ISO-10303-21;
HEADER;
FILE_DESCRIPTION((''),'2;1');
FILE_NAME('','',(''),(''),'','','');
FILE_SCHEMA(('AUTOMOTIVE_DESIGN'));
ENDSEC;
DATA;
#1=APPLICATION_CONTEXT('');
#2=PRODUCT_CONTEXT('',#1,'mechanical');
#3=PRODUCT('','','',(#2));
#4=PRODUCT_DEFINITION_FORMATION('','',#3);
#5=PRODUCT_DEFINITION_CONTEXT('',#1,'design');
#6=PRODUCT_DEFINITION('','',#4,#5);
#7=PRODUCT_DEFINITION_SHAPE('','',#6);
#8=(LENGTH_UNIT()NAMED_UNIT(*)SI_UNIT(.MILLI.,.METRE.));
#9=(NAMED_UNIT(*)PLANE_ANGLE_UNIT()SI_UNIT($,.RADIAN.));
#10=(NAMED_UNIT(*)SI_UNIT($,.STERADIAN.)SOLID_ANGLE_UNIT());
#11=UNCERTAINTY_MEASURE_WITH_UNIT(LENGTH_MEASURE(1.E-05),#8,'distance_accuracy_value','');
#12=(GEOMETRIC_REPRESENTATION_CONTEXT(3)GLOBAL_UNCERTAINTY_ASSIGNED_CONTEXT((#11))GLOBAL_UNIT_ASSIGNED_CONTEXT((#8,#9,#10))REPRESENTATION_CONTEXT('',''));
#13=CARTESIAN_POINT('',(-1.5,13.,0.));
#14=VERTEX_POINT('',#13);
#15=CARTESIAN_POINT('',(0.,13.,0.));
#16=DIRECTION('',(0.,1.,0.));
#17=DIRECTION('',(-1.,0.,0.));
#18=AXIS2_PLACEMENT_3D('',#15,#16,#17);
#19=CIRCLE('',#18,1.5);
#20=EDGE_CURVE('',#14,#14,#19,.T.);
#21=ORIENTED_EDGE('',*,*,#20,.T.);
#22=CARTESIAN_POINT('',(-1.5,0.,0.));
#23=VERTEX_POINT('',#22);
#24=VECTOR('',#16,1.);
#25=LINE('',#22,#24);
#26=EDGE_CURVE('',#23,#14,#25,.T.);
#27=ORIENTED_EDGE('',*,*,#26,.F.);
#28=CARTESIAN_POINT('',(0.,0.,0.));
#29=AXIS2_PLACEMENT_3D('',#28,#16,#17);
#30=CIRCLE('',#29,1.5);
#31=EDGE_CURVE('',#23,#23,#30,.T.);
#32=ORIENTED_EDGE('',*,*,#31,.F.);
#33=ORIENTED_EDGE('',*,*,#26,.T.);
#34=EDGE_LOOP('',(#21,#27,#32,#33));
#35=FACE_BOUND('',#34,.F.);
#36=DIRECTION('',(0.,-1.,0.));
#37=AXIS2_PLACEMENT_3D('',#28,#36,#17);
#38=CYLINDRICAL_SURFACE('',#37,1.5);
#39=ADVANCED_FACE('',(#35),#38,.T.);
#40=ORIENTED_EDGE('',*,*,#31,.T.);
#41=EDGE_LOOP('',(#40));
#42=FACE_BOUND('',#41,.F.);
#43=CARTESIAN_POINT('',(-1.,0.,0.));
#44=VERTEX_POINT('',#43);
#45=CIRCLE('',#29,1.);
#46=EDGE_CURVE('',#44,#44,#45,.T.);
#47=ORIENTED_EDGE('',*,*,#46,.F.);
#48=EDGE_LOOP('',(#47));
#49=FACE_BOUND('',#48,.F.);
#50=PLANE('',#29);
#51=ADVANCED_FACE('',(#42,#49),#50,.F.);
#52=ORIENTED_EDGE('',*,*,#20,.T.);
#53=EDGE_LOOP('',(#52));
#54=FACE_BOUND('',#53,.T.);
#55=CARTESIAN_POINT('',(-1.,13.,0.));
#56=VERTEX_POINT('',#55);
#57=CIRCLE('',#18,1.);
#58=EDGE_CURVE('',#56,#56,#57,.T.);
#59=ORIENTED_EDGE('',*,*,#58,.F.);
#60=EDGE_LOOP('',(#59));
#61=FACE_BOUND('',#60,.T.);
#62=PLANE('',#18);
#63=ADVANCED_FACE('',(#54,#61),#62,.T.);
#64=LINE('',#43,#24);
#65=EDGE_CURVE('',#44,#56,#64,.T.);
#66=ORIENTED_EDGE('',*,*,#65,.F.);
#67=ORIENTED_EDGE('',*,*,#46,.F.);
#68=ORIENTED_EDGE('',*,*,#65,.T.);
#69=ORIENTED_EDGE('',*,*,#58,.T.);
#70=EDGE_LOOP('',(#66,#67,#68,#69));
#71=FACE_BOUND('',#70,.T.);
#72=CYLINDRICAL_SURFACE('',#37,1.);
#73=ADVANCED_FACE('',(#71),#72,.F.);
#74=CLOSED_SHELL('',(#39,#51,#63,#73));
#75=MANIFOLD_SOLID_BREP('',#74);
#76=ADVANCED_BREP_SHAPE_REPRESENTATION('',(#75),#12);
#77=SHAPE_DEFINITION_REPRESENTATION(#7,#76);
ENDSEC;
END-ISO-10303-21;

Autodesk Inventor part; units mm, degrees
ref_plane "YZ Plane" through (0, 0, 0) normal (1, 0, 0) x (0, 1, 0)
ref_plane "XZ Plane" through (0, 0, 0) normal (0, 1, 0) x (-1, 0, 0)
ref_plane "XY Plane" through (0, 0, 0) normal (0, 0, 1) x (1, 0, 0)
sketch "スケッチ1" plane through (0, 0, 0) normal (0, 1, 0) x (-1, 0, 0)
  circle A0 centre (0, 0) radius 1.5
  circle A1 centre (0, 0) radius 1
  dimension "d0" = 3
  dimension "d1" = 2
extrude "押し出し1" add sketch "スケッチ1" along normal blind 13
properties part number "ceramic_spacer_d3-13"
